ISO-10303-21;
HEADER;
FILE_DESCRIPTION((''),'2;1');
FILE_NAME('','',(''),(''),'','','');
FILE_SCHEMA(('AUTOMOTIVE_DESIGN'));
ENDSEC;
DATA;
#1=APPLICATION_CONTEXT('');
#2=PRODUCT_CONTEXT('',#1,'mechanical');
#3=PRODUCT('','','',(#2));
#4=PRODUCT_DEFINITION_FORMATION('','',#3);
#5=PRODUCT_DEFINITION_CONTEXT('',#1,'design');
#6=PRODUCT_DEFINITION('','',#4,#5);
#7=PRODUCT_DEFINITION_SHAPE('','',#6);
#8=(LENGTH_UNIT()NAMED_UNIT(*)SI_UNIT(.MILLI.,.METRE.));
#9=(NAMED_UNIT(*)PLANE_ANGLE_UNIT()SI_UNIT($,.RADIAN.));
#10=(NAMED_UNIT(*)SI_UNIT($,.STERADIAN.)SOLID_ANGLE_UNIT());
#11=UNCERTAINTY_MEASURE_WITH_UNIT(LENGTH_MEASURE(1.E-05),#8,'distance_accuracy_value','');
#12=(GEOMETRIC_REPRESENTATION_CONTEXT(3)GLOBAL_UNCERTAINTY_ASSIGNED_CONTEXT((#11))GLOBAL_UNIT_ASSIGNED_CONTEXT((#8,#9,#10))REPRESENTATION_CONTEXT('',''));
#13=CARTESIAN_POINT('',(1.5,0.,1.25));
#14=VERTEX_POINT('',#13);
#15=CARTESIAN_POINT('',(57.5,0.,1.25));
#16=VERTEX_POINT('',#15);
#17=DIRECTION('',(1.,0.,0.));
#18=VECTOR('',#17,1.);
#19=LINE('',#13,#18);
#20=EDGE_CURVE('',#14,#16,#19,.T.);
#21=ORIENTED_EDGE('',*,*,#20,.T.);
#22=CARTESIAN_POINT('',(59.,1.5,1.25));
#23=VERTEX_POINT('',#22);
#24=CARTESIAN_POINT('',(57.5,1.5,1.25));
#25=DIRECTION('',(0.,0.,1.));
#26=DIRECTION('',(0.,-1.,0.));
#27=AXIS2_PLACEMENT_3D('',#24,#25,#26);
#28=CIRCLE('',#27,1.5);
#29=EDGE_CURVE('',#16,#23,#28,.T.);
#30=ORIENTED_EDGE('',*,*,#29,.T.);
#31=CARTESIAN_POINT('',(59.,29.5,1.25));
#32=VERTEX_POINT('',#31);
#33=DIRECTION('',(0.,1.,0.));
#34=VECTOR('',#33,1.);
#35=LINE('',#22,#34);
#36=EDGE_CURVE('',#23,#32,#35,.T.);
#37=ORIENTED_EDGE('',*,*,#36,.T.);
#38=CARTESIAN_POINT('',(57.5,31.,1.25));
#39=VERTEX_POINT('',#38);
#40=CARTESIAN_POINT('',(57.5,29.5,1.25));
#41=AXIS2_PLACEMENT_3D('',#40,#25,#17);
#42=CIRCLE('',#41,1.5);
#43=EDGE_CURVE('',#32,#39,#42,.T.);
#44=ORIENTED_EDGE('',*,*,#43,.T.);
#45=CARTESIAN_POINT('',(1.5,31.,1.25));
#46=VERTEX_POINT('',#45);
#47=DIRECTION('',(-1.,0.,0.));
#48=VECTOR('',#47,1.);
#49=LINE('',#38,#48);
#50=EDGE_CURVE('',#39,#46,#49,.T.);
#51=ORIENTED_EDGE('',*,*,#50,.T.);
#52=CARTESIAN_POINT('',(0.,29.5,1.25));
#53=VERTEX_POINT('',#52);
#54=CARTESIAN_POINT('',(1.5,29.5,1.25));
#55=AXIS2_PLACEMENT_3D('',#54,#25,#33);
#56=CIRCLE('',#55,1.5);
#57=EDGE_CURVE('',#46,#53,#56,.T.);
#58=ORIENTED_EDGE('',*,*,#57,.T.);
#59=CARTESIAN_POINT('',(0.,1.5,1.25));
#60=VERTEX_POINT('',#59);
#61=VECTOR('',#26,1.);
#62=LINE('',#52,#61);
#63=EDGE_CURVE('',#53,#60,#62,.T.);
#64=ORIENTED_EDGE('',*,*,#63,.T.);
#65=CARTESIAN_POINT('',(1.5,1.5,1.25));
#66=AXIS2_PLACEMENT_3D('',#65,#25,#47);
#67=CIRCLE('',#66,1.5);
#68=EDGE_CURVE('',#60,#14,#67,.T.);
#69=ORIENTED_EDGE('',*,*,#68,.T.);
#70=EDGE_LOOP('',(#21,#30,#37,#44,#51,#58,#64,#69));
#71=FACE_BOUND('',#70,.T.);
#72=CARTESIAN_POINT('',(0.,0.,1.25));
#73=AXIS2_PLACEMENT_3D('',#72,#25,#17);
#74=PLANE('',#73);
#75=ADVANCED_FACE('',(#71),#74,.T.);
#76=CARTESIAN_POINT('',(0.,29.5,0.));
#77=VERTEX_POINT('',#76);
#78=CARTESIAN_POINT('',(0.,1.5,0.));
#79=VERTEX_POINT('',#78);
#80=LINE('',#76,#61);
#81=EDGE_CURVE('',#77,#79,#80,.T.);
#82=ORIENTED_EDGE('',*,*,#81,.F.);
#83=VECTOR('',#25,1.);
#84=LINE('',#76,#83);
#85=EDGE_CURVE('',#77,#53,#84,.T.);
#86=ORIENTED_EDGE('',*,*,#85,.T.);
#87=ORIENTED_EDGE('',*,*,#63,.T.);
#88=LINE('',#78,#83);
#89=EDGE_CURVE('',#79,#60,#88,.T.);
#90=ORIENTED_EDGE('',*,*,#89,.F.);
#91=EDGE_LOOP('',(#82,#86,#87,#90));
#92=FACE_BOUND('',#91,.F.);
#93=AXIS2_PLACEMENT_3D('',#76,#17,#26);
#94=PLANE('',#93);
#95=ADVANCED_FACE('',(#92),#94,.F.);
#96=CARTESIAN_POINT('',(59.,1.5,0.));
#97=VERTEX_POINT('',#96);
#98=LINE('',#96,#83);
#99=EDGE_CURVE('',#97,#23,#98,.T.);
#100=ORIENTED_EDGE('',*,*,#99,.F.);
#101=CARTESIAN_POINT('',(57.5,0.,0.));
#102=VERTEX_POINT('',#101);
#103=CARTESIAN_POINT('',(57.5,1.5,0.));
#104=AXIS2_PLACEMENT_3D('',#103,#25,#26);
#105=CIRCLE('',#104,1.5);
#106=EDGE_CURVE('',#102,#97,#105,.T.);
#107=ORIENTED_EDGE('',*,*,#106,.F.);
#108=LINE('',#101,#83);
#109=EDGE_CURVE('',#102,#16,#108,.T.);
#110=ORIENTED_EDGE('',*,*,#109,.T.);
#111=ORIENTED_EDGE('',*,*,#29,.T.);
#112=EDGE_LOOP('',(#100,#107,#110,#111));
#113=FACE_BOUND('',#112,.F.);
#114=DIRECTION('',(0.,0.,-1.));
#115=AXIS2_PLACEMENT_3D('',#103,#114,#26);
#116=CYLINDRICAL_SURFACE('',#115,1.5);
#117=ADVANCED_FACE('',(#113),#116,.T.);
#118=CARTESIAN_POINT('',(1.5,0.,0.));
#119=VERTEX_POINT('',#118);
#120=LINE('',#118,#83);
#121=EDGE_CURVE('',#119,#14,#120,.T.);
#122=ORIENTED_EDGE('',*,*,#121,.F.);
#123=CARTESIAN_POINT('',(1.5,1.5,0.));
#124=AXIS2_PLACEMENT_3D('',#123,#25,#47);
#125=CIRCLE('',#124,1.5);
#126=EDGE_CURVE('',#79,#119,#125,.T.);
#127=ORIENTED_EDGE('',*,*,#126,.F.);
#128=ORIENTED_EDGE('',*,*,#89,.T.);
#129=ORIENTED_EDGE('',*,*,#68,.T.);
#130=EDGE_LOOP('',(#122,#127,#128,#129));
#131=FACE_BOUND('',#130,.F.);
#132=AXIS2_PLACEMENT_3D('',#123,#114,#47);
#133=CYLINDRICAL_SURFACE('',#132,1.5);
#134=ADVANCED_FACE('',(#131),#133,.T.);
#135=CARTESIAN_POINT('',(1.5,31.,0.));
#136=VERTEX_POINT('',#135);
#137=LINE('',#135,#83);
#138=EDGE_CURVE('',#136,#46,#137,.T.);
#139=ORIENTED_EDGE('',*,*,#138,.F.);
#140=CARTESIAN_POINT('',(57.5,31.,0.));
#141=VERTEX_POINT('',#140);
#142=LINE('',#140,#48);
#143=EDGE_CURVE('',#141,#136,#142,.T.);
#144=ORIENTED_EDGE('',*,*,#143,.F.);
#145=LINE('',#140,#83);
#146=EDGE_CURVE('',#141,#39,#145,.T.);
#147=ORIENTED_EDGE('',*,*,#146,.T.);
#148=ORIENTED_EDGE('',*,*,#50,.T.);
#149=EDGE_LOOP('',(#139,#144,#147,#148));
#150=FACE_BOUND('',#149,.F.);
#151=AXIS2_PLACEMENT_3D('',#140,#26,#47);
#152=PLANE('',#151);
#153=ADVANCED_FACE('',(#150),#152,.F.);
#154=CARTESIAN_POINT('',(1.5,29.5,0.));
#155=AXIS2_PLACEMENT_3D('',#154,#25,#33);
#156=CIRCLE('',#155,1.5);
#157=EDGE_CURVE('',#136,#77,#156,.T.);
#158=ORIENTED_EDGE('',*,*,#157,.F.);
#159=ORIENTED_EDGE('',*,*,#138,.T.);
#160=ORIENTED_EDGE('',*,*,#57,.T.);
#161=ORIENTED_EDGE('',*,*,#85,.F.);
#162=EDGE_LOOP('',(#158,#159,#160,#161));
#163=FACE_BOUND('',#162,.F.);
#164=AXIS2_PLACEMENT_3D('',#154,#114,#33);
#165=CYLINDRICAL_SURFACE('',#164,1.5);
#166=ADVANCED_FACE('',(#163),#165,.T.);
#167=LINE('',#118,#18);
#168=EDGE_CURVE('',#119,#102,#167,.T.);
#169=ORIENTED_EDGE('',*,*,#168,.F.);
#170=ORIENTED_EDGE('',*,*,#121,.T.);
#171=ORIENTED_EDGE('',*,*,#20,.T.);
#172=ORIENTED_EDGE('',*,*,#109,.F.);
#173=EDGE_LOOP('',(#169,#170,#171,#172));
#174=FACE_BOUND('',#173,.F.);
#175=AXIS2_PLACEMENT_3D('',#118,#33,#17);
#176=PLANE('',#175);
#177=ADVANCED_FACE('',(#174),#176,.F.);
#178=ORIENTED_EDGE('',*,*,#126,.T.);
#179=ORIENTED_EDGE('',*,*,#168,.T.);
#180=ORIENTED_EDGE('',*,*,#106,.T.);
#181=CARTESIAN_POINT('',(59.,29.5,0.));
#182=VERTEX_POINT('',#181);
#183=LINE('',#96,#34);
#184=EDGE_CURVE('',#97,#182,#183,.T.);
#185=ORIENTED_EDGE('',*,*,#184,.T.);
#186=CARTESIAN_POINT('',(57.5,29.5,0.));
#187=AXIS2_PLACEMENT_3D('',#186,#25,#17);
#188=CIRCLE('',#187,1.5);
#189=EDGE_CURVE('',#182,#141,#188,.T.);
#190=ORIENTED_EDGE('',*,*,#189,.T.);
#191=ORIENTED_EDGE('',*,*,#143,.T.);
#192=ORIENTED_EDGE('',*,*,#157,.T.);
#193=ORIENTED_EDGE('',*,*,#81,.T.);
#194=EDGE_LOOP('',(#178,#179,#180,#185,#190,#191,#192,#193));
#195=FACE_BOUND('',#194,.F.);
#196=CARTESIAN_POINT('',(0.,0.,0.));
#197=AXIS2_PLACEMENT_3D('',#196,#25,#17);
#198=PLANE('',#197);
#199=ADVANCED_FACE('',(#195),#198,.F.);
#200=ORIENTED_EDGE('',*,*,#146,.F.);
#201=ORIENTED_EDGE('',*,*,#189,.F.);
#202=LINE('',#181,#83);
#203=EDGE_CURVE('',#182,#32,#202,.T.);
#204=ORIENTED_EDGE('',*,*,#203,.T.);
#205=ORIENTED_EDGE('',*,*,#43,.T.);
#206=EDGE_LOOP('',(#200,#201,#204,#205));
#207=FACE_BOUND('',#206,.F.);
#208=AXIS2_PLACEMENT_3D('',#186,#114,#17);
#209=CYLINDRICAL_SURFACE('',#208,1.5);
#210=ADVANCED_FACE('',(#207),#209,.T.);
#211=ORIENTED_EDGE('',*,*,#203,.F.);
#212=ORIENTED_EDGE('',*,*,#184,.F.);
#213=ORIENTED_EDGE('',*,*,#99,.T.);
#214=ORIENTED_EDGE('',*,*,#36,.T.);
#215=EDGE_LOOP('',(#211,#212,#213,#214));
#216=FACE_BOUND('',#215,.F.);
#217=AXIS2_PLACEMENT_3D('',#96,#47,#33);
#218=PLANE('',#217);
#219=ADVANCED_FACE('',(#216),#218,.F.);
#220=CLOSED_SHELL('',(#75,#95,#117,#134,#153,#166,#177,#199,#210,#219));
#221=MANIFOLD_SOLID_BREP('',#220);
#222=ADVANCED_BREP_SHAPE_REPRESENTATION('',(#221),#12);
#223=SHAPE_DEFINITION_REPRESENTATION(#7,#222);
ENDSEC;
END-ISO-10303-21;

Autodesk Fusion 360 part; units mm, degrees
sketch "Sketch1" plane through (0, 0, 0) normal (0, 0, 1) x (1, 0, 0)
  line L0 (1.5, 0) -> (57.5, 0)
  line L1 (59, 1.5) -> (59, 29.5)
  line L2 (57.5, 31) -> (1.5, 31)
  line L3 (0, 29.5) -> (0, 1.5)
  arc A0 (59, 29.5) -> (57.5, 31) centre (57.5, 29.5) ccw
  arc A1 (57.5, 0) -> (59, 1.5) centre (57.5, 1.5) ccw
  arc A2 (1.5, 31) -> (0, 29.5) centre (1.5, 29.5) ccw
  arc A3 (0, 1.5) -> (1.5, 0) centre (1.5, 1.5) ccw
  point P0 (59, 31)
  point P1 (0, 31)
  dimension "d1" = 31
  dimension "d2" = 59
  dimension "d3" = 1.5
  dimension "d4" = 1.5
  dimension "d5" = 1.5
  dimension "d6" = 1.5
extrude "Extrude1" add sketch "Sketch1" along normal blind 1.25
